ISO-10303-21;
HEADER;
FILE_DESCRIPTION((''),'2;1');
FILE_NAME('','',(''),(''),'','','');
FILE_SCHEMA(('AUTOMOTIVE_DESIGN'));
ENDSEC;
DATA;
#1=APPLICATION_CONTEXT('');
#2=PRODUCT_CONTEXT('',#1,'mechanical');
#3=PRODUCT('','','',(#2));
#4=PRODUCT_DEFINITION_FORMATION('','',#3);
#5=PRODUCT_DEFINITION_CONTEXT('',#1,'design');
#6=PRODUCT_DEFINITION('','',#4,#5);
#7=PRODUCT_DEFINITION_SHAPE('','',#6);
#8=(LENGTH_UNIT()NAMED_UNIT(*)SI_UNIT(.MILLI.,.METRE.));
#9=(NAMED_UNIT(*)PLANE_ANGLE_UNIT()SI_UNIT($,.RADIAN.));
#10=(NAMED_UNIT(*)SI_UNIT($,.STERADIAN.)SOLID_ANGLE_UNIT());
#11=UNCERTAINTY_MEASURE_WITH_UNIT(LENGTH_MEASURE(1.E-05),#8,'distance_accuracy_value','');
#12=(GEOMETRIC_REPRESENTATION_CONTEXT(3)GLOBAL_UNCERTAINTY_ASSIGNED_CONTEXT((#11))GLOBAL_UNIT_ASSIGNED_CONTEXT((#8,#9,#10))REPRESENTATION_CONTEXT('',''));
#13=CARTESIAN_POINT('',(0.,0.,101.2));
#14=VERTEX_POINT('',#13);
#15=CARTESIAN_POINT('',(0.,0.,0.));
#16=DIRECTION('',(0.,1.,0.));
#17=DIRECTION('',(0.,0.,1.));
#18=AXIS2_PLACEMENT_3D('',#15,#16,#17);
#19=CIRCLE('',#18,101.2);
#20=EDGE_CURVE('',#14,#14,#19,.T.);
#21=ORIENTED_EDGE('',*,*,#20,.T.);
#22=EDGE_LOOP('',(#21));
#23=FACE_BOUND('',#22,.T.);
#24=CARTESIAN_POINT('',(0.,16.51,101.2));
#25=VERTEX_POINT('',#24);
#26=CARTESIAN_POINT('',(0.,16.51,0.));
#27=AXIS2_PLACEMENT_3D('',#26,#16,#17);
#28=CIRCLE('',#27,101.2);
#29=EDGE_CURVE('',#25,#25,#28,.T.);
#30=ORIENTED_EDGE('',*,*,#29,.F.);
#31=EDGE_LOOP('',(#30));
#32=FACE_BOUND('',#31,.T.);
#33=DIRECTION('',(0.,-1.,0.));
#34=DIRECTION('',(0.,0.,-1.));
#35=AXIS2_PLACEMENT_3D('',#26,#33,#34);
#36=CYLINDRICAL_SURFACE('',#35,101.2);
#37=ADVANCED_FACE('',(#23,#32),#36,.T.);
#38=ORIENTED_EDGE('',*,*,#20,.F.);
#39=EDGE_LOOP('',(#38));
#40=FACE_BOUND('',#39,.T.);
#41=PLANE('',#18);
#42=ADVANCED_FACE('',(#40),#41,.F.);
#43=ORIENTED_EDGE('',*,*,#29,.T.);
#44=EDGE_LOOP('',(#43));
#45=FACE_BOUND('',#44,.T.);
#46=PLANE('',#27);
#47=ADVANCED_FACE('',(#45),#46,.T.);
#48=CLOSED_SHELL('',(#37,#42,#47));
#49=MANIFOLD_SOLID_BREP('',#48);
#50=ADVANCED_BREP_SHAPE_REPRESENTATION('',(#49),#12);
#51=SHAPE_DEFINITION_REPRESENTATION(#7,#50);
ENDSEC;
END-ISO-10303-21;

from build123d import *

# Parameters (mm, degrees)
SKETCH1_R           = 101.2
BOSS_EXTRUDE1_DEPTH = 16.51


with BuildPart() as part:
    # Sketch1 → Boss-Extrude1 (new body)
    with BuildSketch(Plane(origin=(0, 0, 0), x_dir=(1, 0, 0), z_dir=(0, 1, 0))):
        with Locations(Location((0, 0, 0), (0, 0, 270))):
            Circle(SKETCH1_R)
    extrude(amount=BOSS_EXTRUDE1_DEPTH)


solid = part.part
